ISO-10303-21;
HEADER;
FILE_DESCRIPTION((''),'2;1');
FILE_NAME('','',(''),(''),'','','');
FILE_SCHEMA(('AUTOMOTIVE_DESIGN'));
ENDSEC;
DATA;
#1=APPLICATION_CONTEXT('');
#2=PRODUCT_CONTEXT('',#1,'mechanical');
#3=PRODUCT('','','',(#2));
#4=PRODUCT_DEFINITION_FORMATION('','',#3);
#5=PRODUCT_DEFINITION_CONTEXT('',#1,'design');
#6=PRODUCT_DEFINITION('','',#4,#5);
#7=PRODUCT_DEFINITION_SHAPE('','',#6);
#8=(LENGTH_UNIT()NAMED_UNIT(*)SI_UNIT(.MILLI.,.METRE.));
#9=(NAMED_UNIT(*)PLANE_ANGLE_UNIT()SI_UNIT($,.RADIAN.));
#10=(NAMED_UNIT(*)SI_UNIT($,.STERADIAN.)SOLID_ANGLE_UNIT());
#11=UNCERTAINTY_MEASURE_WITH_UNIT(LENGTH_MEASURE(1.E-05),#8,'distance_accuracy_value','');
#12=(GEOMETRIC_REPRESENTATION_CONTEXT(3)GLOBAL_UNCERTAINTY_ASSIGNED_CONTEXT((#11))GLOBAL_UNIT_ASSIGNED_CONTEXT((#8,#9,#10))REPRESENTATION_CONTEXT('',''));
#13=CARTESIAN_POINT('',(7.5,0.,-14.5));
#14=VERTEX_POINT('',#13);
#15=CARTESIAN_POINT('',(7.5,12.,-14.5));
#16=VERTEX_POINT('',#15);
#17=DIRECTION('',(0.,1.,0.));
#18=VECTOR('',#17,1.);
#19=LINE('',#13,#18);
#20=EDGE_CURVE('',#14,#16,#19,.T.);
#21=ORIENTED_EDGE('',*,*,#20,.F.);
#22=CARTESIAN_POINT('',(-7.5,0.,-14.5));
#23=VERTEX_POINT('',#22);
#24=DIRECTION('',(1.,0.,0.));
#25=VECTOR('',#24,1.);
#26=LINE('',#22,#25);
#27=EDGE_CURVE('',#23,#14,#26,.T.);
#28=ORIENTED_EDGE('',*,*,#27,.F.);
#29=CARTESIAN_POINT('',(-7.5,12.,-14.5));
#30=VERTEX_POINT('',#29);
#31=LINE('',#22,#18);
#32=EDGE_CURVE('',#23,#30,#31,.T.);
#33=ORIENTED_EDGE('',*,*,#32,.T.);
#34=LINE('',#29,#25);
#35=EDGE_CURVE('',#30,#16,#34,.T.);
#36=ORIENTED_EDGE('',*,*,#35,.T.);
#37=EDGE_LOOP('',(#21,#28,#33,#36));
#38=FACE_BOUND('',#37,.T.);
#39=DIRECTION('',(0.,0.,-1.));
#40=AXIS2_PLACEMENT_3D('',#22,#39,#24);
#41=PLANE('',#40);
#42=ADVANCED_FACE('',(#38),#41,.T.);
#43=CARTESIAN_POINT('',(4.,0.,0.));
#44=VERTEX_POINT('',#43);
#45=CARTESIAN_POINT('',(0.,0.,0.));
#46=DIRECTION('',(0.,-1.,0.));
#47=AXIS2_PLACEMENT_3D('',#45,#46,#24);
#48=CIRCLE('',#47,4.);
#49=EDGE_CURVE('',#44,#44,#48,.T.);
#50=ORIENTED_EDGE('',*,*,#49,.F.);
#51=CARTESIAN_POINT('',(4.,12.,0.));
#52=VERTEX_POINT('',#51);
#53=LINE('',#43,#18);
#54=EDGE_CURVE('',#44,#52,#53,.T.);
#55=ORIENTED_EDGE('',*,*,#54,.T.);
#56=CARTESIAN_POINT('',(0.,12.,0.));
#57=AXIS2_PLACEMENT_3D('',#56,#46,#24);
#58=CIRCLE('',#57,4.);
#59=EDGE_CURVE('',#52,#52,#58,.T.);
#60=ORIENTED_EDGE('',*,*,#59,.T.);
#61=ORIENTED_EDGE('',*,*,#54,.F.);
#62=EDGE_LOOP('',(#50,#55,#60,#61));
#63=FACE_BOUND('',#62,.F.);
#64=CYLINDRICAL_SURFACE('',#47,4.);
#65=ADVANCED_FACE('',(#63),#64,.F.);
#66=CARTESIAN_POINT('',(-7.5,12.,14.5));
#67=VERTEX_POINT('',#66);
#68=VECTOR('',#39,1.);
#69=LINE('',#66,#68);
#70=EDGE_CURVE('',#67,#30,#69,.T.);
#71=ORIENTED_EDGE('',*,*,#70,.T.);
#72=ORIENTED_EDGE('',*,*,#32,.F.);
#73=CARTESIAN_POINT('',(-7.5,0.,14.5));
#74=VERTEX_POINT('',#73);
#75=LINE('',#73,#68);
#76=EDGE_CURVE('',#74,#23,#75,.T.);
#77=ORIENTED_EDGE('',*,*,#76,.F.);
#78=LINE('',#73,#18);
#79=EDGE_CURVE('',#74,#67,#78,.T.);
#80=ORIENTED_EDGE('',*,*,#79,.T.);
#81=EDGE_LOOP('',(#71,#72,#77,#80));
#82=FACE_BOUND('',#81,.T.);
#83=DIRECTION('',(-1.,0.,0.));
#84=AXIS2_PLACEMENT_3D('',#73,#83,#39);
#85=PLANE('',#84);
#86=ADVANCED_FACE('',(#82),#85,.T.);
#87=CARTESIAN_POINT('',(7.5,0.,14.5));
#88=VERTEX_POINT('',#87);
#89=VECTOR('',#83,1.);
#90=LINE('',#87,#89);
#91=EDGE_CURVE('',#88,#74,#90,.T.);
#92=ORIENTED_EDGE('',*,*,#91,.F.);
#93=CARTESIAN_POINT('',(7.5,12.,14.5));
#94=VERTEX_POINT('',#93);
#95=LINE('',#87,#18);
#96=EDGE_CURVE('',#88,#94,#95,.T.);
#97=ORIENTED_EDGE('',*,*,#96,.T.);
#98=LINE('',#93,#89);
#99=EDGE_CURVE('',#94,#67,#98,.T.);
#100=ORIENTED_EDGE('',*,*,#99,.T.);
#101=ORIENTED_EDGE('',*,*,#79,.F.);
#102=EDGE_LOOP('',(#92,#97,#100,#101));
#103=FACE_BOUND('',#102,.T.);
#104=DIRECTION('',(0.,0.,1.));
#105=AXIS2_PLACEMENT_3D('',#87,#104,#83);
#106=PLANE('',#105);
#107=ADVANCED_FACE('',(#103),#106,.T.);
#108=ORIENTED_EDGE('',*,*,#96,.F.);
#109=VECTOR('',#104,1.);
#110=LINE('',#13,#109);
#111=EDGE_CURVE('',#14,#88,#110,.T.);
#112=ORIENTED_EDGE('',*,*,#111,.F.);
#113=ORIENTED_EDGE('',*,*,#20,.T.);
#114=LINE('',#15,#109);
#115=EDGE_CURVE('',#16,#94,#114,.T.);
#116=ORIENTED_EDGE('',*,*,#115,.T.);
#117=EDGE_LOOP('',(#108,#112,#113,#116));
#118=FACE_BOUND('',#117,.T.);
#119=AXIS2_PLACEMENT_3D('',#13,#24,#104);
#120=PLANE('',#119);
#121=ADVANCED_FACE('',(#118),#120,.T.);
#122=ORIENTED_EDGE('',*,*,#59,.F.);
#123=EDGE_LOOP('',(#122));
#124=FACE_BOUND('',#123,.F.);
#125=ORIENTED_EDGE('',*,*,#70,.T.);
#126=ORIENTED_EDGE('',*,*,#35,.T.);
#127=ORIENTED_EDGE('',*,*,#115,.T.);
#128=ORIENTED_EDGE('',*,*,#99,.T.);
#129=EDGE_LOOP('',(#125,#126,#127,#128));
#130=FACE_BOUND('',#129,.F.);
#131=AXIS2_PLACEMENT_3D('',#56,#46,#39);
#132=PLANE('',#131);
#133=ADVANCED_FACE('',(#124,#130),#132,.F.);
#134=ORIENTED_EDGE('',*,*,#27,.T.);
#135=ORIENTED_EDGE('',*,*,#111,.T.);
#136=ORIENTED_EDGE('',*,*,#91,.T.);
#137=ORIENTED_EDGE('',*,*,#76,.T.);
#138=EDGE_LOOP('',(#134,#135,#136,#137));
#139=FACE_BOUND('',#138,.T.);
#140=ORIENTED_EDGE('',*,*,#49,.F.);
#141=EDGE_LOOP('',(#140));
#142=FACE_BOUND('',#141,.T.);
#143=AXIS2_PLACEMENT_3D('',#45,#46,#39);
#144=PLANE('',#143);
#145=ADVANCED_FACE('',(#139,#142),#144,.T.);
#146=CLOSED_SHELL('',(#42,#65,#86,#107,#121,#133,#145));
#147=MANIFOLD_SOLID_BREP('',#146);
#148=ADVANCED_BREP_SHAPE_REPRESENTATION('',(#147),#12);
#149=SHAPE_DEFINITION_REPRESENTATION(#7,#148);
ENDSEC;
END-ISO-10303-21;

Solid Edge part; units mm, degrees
sketch "Sketch1" plane through (0, 0, 0) normal (0, -1, 0) x (1, 0, 0)
  circle A0 centre (0, 0) radius 4
  line L0 (7.5, 14.5) -> (-7.5, 14.5)
  line L1 (-7.5, 14.5) -> (-7.5, -14.5)
  line L2 (-7.5, -14.5) -> (7.5, -14.5)
  line L3 (7.5, -14.5) -> (7.5, 14.5)
extrude "Protrusion1" add sketch "Sketch1" against normal blind 12
